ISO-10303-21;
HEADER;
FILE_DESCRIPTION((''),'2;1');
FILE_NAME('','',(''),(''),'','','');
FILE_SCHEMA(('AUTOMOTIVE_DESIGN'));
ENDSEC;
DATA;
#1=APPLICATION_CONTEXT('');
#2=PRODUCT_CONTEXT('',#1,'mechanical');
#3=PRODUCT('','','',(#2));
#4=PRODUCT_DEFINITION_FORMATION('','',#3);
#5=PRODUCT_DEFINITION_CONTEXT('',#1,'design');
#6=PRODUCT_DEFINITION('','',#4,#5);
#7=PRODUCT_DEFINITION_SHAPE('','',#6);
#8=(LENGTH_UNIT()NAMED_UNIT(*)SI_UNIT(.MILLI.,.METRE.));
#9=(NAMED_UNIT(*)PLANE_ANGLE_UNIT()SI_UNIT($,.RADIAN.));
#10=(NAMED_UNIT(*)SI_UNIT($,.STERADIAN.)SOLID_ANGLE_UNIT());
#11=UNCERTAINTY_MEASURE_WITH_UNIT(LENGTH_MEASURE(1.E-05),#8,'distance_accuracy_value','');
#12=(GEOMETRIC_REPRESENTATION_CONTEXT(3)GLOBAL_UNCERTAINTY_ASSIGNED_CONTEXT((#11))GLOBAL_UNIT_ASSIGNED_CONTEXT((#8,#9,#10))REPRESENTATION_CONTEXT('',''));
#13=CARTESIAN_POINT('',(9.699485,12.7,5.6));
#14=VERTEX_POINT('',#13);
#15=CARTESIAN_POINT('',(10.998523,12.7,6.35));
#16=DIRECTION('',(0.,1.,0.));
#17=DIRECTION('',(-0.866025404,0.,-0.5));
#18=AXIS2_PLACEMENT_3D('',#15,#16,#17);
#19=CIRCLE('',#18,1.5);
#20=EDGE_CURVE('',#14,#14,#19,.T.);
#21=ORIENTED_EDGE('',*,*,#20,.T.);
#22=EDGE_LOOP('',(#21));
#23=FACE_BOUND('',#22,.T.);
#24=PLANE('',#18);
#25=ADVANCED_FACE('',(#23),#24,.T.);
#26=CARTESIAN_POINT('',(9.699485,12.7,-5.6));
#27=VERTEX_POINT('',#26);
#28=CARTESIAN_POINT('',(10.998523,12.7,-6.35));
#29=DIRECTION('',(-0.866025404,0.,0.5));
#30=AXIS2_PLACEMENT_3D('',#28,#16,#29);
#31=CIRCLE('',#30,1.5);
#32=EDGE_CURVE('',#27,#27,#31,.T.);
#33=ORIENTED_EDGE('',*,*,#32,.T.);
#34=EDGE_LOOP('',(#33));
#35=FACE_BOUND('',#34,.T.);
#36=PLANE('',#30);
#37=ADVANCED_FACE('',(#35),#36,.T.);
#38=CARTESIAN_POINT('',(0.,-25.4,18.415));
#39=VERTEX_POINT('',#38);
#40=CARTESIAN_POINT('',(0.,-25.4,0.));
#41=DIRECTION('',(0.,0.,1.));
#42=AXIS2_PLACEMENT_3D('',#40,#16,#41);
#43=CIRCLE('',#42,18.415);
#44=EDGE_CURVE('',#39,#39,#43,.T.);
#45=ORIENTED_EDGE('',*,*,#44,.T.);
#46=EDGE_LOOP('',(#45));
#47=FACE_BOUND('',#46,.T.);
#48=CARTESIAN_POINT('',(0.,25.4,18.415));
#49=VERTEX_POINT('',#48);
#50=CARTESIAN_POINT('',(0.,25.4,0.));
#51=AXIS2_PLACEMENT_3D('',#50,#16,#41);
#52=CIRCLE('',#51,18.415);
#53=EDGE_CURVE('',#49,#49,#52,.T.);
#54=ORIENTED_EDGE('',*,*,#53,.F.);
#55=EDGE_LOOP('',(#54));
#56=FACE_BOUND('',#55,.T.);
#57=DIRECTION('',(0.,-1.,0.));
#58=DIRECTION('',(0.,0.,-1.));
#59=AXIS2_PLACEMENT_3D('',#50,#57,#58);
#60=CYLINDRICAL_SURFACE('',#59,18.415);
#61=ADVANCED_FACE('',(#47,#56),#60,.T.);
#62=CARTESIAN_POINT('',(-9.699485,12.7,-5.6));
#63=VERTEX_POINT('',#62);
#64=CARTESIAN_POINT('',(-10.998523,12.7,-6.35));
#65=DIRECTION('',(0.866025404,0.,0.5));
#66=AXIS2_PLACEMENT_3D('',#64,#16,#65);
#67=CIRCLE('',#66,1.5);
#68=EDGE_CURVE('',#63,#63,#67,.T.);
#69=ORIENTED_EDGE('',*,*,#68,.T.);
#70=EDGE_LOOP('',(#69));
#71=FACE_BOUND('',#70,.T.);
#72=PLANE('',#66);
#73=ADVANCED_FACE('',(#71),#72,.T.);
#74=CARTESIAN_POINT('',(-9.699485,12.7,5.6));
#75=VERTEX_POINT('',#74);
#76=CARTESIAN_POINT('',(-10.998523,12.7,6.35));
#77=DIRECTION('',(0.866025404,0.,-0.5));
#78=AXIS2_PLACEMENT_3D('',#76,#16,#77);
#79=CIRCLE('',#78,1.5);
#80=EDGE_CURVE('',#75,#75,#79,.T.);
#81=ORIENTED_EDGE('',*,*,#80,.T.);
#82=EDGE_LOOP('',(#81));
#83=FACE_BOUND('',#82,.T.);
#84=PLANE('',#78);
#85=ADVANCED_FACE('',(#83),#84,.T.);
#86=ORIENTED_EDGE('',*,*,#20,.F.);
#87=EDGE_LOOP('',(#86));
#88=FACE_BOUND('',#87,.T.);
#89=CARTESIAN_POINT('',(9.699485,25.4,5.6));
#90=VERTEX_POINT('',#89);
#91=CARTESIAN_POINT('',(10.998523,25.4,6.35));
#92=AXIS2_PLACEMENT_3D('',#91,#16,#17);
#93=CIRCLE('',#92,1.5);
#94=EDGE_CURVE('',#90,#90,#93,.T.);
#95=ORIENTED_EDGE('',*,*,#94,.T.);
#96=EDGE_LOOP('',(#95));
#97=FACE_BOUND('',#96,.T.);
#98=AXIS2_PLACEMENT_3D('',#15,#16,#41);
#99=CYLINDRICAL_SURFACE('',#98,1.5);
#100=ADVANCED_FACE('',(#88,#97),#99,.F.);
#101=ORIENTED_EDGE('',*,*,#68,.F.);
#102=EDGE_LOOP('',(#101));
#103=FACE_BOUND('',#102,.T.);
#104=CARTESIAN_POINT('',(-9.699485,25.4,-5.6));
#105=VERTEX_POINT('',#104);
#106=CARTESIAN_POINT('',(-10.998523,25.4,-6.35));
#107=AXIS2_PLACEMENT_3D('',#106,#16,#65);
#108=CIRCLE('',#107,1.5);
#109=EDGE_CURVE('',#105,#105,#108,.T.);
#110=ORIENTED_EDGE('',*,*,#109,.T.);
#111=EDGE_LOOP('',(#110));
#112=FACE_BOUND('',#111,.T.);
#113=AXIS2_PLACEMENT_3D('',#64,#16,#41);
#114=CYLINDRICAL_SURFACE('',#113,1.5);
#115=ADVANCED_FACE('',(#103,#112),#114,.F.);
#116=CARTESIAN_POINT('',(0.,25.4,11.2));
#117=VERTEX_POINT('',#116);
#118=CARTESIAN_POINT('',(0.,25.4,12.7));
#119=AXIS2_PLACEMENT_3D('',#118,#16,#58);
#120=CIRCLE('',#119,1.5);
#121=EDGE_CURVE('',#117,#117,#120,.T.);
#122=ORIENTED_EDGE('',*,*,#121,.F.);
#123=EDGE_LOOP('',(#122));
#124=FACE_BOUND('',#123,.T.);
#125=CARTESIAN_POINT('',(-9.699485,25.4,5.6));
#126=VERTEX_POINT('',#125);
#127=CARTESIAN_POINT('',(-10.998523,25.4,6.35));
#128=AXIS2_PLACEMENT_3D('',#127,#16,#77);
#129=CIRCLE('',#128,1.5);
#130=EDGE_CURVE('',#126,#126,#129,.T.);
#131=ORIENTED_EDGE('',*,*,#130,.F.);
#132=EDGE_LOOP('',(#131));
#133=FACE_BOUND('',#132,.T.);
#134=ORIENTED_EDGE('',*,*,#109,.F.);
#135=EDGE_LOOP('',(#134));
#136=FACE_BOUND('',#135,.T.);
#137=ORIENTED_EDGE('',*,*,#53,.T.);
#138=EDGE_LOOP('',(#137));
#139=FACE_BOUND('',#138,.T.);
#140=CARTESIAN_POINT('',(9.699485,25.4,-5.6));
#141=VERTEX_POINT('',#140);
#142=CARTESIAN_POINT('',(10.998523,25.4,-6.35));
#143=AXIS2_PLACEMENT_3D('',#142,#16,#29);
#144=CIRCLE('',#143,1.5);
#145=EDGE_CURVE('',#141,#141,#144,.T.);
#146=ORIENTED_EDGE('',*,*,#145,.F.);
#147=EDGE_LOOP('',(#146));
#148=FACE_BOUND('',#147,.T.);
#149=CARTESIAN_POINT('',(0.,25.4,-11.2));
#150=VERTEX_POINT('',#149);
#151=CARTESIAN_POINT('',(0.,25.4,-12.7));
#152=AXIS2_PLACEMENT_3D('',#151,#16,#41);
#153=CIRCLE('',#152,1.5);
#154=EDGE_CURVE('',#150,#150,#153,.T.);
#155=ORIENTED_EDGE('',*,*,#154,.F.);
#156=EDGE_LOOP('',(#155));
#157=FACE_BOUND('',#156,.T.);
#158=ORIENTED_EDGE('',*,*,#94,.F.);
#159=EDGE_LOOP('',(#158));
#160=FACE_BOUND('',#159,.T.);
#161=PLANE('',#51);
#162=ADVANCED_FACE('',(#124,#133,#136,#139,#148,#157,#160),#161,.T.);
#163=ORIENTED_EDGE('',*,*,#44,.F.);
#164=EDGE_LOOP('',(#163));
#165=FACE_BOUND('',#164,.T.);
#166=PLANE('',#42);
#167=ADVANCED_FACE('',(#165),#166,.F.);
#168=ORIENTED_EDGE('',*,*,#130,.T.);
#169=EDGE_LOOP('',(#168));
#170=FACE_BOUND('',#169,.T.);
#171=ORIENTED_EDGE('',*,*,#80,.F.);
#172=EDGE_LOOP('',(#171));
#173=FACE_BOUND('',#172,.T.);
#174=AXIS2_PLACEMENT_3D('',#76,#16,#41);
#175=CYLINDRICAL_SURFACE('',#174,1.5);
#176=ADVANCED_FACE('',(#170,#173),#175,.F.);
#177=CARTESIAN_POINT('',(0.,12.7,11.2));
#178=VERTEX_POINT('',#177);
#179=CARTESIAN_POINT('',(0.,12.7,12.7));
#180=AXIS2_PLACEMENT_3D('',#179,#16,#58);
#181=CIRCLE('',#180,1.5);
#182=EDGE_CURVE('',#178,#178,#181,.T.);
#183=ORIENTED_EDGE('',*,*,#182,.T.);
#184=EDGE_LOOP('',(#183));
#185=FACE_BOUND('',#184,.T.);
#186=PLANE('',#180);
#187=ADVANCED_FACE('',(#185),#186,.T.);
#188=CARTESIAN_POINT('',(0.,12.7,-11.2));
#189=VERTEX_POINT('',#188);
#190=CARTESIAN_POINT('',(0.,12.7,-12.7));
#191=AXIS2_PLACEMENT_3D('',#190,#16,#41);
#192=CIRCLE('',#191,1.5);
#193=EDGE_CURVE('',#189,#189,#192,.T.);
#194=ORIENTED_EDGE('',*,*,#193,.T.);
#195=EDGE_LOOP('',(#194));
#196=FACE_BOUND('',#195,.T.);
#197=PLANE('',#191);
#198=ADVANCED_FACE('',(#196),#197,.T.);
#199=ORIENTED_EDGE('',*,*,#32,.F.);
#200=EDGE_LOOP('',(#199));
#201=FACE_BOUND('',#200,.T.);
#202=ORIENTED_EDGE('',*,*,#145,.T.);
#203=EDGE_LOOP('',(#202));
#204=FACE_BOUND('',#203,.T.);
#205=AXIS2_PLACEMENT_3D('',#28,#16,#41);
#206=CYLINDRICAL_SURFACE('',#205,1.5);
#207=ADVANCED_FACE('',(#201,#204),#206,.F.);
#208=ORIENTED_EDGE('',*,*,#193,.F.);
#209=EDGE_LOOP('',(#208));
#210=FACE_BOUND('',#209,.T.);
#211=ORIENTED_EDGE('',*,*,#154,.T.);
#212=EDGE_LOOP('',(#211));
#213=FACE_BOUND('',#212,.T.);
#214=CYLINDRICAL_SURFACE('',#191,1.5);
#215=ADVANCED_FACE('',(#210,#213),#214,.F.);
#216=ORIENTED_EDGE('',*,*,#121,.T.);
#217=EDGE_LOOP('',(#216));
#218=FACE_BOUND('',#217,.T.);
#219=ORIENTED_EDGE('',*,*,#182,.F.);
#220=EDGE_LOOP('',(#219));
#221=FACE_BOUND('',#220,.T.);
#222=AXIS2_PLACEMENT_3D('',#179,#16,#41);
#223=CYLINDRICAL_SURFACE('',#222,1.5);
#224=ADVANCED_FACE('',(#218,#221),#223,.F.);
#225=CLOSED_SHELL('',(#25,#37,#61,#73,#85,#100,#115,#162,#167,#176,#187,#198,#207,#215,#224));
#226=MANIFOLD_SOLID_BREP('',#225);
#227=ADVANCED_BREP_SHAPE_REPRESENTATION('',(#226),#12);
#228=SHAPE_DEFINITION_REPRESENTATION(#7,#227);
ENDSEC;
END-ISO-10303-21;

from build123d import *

# Parameters (mm, degrees)
SKETCH1_R           = 18.415
BOSS_EXTRUDE1_DEPTH = 25.4
SKETCH2_R           = 1.5
CUT_EXTRUDE1_DEPTH  = 12.7
CIRPATTERN1_COUNT   = 6


with BuildPart() as part:
    # Sketch1 → Boss-Extrude1 (new body, symmetric)
    with BuildSketch(Plane(origin=(0, 0, 0), x_dir=(1, 0, 0), z_dir=(0, 1, 0))):
        Circle(SKETCH1_R)
    extrude(amount=BOSS_EXTRUDE1_DEPTH, both=True)

    # Sketch2 → Cut-Extrude1 (cut)
    with BuildSketch(Plane(origin=(0, 25.4, 0), x_dir=(1, 0, 0), z_dir=(0, 1, 0))):
        with Locations((0, 12.7)):
            Circle(SKETCH2_R)
    cut_extrude1 = extrude(amount=-CUT_EXTRUDE1_DEPTH, mode=Mode.SUBTRACT)

    # CirPattern1: Cut-Extrude1 ×6 about axis
    cirpattern1_axis = Axis((0, 0, 0), (0, 1, 0))
    for i in range(1, CIRPATTERN1_COUNT):
        add(cut_extrude1.rotate(cirpattern1_axis, i * 360 / CIRPATTERN1_COUNT), mode=Mode.SUBTRACT)


solid = part.part
